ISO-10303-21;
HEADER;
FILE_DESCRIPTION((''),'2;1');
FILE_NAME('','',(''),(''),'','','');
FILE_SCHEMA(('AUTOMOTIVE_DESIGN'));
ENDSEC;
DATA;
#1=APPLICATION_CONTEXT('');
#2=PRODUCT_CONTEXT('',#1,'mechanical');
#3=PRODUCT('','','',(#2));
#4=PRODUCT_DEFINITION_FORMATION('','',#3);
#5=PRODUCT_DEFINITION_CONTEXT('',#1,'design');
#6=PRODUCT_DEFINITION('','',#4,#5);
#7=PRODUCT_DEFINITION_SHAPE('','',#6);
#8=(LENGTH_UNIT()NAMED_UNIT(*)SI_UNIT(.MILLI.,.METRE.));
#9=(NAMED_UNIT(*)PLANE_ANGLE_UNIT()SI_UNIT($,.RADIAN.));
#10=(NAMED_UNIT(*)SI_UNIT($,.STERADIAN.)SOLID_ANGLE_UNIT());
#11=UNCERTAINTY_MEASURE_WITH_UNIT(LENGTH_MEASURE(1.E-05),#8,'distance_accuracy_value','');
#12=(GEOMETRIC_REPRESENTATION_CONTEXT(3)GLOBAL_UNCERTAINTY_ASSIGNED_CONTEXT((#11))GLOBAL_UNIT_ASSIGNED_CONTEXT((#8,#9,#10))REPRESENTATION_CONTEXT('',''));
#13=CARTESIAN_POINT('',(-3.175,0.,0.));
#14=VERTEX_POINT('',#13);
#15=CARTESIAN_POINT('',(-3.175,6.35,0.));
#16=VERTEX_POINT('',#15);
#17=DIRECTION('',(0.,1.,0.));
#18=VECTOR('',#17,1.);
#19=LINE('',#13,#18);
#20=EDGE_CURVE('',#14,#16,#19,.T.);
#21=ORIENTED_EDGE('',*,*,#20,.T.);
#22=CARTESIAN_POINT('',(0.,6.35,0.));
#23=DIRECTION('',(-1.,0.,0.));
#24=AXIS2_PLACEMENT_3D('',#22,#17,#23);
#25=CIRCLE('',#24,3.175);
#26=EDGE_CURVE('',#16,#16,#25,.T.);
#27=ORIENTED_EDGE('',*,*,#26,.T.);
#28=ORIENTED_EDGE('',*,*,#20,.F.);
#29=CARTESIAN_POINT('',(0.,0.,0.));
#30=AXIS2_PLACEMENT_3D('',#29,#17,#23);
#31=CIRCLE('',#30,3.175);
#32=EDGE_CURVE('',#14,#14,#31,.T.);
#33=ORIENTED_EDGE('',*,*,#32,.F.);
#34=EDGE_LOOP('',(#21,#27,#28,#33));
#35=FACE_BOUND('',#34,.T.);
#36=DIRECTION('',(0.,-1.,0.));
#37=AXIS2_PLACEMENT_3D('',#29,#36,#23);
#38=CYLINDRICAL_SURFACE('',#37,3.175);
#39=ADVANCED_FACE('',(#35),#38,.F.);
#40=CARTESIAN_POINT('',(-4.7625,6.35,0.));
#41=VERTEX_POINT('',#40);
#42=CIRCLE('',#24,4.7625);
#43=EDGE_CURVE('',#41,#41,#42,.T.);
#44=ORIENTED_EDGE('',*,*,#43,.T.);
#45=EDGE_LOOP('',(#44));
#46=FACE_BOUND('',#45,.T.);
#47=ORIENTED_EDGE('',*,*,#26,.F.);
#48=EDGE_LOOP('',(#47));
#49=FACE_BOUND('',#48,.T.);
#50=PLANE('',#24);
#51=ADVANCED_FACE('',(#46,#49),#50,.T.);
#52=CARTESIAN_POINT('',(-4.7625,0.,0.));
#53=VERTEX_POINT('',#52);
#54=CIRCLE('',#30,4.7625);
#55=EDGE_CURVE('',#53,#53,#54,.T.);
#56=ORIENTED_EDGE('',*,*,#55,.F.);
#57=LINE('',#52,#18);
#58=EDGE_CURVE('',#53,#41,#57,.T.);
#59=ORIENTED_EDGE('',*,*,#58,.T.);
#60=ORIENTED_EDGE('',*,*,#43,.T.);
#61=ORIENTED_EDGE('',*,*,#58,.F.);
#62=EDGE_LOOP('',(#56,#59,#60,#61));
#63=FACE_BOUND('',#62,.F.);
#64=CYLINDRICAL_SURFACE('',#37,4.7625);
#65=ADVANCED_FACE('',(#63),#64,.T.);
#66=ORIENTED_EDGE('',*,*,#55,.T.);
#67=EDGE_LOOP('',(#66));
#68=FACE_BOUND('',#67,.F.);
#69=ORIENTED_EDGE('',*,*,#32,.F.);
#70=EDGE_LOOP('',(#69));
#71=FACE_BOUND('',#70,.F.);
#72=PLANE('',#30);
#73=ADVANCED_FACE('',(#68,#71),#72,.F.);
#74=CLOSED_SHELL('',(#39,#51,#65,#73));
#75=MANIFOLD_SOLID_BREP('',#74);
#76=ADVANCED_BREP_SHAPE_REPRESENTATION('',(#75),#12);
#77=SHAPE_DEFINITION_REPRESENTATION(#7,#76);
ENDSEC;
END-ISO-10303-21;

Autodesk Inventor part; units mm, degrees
ref_plane "YZ Plane" through (0, 0, 0) normal (1, 0, 0) x (0, 1, 0)
ref_plane "XZ Plane" through (0, 0, 0) normal (0, 1, 0) x (-1, 0, 0)
ref_plane "XY Plane" through (0, 0, 0) normal (0, 0, 1) x (1, 0, 0)
sketch "Sketch1" plane through (0, 0, 0) normal (0, 1, 0) x (-1, 0, 0)
  circle A0 centre (0, 0) radius 3.175
  circle A1 centre (0, 0) radius 4.7625
  dimension "d0" = 6.35
  dimension "d2" = 1.5875
extrude "Extrusion1" add sketch "Sketch1" along normal blind 6.35
properties part number "Spacer"
